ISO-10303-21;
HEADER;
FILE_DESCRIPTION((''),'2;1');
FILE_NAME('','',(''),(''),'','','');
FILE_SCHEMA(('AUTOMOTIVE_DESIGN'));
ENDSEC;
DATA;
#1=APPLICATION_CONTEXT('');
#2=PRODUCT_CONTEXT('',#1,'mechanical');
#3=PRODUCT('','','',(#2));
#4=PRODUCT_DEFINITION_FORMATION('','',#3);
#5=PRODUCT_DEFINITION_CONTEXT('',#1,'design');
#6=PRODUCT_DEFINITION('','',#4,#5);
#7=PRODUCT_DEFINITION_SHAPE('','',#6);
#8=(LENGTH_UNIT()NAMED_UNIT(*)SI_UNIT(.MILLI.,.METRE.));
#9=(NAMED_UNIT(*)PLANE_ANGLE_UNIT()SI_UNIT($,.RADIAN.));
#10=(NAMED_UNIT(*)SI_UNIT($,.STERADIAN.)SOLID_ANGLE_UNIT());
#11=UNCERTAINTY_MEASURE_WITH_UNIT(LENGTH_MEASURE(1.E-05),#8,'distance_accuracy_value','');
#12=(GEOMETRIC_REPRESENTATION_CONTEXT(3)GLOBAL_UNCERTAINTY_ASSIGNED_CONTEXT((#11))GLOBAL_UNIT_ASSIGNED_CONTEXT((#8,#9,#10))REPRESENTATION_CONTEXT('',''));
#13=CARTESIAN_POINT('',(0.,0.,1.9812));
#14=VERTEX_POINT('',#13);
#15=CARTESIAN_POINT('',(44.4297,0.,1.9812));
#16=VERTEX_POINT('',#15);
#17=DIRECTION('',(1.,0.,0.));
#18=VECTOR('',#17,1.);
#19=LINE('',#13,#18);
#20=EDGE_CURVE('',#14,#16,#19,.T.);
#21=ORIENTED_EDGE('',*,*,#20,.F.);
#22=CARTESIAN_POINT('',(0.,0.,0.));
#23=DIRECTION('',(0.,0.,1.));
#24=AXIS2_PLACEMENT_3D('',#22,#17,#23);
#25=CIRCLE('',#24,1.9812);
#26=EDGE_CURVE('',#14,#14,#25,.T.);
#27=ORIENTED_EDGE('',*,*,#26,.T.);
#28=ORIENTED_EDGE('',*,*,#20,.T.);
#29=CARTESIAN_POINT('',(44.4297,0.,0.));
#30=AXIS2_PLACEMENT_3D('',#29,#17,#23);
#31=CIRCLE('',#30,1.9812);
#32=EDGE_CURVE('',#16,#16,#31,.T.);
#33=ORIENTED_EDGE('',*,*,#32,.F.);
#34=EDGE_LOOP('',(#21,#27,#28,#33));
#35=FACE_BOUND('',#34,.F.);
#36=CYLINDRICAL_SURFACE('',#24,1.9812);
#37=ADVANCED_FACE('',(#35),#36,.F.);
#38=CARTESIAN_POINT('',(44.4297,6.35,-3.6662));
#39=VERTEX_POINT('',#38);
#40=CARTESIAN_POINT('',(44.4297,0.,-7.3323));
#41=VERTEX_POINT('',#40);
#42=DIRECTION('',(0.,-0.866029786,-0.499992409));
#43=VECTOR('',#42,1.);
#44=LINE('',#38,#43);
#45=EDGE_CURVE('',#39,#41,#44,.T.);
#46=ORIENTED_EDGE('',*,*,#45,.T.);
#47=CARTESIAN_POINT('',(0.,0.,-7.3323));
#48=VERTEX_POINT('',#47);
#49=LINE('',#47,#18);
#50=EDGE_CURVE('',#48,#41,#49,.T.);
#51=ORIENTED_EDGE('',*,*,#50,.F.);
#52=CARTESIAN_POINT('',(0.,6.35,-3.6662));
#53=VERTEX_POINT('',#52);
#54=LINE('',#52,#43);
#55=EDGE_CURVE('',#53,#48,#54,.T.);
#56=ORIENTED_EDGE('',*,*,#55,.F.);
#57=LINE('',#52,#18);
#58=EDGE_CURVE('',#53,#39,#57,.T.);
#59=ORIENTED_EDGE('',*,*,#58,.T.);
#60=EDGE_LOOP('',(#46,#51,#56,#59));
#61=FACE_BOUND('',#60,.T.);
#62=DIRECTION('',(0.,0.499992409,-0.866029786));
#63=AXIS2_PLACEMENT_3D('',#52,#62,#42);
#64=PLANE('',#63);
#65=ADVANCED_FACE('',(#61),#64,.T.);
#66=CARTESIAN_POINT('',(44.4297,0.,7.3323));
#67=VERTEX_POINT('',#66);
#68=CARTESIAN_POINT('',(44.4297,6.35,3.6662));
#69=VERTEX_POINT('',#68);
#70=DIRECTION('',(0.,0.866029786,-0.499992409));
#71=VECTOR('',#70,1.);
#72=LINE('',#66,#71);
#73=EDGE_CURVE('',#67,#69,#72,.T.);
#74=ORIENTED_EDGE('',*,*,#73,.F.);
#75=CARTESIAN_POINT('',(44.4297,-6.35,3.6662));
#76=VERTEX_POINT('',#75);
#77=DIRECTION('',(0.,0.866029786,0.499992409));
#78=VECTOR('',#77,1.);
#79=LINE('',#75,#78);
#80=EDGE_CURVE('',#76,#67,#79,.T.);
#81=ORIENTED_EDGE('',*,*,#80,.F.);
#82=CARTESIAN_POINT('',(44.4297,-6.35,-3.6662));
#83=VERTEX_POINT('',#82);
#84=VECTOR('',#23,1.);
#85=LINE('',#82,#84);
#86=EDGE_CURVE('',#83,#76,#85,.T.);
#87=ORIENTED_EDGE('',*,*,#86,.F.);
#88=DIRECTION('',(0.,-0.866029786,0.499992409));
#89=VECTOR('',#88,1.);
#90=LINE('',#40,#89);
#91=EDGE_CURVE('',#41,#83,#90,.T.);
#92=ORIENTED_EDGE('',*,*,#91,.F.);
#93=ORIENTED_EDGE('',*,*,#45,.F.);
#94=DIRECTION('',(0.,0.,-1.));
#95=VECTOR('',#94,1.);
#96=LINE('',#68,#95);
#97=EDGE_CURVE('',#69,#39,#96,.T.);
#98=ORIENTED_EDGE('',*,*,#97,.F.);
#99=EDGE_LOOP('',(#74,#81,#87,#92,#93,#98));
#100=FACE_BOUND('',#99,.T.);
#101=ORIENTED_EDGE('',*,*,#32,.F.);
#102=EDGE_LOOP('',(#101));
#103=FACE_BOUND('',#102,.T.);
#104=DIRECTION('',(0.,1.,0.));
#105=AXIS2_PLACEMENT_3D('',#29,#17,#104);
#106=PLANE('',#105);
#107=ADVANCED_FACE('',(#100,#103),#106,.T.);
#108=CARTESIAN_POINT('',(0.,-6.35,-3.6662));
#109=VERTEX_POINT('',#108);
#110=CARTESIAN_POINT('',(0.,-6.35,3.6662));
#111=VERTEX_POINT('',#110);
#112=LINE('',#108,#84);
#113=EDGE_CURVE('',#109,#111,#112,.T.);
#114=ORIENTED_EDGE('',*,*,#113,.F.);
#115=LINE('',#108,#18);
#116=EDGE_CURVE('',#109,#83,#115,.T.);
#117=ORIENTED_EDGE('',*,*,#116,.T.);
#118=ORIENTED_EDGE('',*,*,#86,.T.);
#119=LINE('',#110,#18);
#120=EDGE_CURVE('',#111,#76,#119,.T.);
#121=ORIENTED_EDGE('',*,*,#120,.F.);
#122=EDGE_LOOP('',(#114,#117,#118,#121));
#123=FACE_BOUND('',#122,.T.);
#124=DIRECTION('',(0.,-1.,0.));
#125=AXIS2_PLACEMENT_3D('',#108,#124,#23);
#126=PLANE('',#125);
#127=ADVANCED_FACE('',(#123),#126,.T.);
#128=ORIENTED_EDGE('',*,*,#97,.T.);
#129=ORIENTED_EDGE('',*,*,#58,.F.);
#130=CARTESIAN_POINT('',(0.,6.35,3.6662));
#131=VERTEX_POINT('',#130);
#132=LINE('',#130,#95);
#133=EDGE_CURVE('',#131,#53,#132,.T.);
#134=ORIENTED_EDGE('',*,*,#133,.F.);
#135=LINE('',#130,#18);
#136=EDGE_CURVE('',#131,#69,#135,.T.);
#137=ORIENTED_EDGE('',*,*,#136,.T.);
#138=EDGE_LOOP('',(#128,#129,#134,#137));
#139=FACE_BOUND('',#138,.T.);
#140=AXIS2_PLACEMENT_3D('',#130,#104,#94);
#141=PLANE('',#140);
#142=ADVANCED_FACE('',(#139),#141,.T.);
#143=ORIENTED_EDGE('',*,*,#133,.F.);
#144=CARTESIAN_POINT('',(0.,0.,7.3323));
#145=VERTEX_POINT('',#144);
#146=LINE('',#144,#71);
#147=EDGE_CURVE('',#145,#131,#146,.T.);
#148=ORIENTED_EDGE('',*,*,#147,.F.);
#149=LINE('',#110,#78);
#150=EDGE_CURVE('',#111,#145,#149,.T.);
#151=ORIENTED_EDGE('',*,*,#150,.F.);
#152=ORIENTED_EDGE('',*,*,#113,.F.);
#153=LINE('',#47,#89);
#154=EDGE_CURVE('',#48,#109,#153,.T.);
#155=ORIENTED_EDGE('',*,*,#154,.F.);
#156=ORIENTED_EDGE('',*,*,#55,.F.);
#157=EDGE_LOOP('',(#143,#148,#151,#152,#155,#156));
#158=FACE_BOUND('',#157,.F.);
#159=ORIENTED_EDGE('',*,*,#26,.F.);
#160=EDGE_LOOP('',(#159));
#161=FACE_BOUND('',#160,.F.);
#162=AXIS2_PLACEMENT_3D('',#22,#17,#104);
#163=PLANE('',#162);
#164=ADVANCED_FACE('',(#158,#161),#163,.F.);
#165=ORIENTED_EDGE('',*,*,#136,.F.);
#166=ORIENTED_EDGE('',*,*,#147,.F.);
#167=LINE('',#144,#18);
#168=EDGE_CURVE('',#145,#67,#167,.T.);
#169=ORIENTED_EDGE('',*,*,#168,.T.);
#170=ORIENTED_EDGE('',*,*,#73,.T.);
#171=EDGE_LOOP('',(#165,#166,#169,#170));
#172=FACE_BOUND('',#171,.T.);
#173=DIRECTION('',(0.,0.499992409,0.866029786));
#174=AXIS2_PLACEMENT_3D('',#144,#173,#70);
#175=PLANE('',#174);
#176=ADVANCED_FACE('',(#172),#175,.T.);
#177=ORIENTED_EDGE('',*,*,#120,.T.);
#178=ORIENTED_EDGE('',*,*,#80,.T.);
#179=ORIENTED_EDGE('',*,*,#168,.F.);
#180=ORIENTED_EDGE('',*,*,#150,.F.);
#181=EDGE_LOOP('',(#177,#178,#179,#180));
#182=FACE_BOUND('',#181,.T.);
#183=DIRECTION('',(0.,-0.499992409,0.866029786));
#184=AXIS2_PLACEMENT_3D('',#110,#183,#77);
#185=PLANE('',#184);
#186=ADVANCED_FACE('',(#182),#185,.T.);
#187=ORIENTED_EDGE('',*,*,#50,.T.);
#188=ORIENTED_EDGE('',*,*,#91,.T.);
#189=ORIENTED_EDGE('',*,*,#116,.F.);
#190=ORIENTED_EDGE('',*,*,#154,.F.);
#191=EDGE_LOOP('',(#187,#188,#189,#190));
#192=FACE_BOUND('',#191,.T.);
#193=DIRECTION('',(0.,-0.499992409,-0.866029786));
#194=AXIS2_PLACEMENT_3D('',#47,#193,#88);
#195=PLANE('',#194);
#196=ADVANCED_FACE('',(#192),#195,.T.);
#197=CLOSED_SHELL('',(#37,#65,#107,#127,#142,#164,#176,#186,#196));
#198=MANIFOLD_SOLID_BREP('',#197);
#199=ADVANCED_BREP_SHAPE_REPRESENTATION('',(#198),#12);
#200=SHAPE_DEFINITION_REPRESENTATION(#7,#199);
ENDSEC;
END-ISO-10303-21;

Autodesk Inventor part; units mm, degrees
ref_plane "YZ Plane" through (0, 0, 0) normal (1, 0, 0) x (0, 1, 0)
ref_plane "XZ Plane" through (0, 0, 0) normal (0, 1, 0) x (-1, 0, 0)
ref_plane "XY Plane" through (0, 0, 0) normal (0, 0, 1) x (1, 0, 0)
sketch "Sketch1" plane through (0, 0, 0) normal (1, 0, 0) x (0, 1, 0)
  line L0 (-6.35, -3.6662) -> (-6.35, 3.6662)
  line L1 (-6.35, 3.6662) -> (0, 7.3323)
  line L2 (0, 7.3323) -> (6.35, 3.6662)
  line L3 (6.35, 3.6662) -> (6.35, -3.6662)
  line L4 (6.35, -3.6662) -> (0, -7.3323)
  line L5 (0, -7.3323) -> (-6.35, -3.6662)
  point P0 (0, 0)
  point P1 (0, 0)
  dimension "d0" = 12.7
extrude "Extrusion1" add sketch "Sketch1" along normal blind 44.4297
sketch "Sketch2" plane through (0, 0, 0) normal (-1, 0, 0) x (0, 0, 1)
  point P0 (0, 0)
  point P1 (0, 0)
hole "Hole1" at (0, 0, 0) direction (1, 0, 0) diameter 3.9624 end through all thread size "10-32 UNF" class "2B" standard "ANSI Unified Screw Threads"
properties part number "STOCK,SHAFT,HEX,HOOD,WHEELS" material "Aluminum 6061"
